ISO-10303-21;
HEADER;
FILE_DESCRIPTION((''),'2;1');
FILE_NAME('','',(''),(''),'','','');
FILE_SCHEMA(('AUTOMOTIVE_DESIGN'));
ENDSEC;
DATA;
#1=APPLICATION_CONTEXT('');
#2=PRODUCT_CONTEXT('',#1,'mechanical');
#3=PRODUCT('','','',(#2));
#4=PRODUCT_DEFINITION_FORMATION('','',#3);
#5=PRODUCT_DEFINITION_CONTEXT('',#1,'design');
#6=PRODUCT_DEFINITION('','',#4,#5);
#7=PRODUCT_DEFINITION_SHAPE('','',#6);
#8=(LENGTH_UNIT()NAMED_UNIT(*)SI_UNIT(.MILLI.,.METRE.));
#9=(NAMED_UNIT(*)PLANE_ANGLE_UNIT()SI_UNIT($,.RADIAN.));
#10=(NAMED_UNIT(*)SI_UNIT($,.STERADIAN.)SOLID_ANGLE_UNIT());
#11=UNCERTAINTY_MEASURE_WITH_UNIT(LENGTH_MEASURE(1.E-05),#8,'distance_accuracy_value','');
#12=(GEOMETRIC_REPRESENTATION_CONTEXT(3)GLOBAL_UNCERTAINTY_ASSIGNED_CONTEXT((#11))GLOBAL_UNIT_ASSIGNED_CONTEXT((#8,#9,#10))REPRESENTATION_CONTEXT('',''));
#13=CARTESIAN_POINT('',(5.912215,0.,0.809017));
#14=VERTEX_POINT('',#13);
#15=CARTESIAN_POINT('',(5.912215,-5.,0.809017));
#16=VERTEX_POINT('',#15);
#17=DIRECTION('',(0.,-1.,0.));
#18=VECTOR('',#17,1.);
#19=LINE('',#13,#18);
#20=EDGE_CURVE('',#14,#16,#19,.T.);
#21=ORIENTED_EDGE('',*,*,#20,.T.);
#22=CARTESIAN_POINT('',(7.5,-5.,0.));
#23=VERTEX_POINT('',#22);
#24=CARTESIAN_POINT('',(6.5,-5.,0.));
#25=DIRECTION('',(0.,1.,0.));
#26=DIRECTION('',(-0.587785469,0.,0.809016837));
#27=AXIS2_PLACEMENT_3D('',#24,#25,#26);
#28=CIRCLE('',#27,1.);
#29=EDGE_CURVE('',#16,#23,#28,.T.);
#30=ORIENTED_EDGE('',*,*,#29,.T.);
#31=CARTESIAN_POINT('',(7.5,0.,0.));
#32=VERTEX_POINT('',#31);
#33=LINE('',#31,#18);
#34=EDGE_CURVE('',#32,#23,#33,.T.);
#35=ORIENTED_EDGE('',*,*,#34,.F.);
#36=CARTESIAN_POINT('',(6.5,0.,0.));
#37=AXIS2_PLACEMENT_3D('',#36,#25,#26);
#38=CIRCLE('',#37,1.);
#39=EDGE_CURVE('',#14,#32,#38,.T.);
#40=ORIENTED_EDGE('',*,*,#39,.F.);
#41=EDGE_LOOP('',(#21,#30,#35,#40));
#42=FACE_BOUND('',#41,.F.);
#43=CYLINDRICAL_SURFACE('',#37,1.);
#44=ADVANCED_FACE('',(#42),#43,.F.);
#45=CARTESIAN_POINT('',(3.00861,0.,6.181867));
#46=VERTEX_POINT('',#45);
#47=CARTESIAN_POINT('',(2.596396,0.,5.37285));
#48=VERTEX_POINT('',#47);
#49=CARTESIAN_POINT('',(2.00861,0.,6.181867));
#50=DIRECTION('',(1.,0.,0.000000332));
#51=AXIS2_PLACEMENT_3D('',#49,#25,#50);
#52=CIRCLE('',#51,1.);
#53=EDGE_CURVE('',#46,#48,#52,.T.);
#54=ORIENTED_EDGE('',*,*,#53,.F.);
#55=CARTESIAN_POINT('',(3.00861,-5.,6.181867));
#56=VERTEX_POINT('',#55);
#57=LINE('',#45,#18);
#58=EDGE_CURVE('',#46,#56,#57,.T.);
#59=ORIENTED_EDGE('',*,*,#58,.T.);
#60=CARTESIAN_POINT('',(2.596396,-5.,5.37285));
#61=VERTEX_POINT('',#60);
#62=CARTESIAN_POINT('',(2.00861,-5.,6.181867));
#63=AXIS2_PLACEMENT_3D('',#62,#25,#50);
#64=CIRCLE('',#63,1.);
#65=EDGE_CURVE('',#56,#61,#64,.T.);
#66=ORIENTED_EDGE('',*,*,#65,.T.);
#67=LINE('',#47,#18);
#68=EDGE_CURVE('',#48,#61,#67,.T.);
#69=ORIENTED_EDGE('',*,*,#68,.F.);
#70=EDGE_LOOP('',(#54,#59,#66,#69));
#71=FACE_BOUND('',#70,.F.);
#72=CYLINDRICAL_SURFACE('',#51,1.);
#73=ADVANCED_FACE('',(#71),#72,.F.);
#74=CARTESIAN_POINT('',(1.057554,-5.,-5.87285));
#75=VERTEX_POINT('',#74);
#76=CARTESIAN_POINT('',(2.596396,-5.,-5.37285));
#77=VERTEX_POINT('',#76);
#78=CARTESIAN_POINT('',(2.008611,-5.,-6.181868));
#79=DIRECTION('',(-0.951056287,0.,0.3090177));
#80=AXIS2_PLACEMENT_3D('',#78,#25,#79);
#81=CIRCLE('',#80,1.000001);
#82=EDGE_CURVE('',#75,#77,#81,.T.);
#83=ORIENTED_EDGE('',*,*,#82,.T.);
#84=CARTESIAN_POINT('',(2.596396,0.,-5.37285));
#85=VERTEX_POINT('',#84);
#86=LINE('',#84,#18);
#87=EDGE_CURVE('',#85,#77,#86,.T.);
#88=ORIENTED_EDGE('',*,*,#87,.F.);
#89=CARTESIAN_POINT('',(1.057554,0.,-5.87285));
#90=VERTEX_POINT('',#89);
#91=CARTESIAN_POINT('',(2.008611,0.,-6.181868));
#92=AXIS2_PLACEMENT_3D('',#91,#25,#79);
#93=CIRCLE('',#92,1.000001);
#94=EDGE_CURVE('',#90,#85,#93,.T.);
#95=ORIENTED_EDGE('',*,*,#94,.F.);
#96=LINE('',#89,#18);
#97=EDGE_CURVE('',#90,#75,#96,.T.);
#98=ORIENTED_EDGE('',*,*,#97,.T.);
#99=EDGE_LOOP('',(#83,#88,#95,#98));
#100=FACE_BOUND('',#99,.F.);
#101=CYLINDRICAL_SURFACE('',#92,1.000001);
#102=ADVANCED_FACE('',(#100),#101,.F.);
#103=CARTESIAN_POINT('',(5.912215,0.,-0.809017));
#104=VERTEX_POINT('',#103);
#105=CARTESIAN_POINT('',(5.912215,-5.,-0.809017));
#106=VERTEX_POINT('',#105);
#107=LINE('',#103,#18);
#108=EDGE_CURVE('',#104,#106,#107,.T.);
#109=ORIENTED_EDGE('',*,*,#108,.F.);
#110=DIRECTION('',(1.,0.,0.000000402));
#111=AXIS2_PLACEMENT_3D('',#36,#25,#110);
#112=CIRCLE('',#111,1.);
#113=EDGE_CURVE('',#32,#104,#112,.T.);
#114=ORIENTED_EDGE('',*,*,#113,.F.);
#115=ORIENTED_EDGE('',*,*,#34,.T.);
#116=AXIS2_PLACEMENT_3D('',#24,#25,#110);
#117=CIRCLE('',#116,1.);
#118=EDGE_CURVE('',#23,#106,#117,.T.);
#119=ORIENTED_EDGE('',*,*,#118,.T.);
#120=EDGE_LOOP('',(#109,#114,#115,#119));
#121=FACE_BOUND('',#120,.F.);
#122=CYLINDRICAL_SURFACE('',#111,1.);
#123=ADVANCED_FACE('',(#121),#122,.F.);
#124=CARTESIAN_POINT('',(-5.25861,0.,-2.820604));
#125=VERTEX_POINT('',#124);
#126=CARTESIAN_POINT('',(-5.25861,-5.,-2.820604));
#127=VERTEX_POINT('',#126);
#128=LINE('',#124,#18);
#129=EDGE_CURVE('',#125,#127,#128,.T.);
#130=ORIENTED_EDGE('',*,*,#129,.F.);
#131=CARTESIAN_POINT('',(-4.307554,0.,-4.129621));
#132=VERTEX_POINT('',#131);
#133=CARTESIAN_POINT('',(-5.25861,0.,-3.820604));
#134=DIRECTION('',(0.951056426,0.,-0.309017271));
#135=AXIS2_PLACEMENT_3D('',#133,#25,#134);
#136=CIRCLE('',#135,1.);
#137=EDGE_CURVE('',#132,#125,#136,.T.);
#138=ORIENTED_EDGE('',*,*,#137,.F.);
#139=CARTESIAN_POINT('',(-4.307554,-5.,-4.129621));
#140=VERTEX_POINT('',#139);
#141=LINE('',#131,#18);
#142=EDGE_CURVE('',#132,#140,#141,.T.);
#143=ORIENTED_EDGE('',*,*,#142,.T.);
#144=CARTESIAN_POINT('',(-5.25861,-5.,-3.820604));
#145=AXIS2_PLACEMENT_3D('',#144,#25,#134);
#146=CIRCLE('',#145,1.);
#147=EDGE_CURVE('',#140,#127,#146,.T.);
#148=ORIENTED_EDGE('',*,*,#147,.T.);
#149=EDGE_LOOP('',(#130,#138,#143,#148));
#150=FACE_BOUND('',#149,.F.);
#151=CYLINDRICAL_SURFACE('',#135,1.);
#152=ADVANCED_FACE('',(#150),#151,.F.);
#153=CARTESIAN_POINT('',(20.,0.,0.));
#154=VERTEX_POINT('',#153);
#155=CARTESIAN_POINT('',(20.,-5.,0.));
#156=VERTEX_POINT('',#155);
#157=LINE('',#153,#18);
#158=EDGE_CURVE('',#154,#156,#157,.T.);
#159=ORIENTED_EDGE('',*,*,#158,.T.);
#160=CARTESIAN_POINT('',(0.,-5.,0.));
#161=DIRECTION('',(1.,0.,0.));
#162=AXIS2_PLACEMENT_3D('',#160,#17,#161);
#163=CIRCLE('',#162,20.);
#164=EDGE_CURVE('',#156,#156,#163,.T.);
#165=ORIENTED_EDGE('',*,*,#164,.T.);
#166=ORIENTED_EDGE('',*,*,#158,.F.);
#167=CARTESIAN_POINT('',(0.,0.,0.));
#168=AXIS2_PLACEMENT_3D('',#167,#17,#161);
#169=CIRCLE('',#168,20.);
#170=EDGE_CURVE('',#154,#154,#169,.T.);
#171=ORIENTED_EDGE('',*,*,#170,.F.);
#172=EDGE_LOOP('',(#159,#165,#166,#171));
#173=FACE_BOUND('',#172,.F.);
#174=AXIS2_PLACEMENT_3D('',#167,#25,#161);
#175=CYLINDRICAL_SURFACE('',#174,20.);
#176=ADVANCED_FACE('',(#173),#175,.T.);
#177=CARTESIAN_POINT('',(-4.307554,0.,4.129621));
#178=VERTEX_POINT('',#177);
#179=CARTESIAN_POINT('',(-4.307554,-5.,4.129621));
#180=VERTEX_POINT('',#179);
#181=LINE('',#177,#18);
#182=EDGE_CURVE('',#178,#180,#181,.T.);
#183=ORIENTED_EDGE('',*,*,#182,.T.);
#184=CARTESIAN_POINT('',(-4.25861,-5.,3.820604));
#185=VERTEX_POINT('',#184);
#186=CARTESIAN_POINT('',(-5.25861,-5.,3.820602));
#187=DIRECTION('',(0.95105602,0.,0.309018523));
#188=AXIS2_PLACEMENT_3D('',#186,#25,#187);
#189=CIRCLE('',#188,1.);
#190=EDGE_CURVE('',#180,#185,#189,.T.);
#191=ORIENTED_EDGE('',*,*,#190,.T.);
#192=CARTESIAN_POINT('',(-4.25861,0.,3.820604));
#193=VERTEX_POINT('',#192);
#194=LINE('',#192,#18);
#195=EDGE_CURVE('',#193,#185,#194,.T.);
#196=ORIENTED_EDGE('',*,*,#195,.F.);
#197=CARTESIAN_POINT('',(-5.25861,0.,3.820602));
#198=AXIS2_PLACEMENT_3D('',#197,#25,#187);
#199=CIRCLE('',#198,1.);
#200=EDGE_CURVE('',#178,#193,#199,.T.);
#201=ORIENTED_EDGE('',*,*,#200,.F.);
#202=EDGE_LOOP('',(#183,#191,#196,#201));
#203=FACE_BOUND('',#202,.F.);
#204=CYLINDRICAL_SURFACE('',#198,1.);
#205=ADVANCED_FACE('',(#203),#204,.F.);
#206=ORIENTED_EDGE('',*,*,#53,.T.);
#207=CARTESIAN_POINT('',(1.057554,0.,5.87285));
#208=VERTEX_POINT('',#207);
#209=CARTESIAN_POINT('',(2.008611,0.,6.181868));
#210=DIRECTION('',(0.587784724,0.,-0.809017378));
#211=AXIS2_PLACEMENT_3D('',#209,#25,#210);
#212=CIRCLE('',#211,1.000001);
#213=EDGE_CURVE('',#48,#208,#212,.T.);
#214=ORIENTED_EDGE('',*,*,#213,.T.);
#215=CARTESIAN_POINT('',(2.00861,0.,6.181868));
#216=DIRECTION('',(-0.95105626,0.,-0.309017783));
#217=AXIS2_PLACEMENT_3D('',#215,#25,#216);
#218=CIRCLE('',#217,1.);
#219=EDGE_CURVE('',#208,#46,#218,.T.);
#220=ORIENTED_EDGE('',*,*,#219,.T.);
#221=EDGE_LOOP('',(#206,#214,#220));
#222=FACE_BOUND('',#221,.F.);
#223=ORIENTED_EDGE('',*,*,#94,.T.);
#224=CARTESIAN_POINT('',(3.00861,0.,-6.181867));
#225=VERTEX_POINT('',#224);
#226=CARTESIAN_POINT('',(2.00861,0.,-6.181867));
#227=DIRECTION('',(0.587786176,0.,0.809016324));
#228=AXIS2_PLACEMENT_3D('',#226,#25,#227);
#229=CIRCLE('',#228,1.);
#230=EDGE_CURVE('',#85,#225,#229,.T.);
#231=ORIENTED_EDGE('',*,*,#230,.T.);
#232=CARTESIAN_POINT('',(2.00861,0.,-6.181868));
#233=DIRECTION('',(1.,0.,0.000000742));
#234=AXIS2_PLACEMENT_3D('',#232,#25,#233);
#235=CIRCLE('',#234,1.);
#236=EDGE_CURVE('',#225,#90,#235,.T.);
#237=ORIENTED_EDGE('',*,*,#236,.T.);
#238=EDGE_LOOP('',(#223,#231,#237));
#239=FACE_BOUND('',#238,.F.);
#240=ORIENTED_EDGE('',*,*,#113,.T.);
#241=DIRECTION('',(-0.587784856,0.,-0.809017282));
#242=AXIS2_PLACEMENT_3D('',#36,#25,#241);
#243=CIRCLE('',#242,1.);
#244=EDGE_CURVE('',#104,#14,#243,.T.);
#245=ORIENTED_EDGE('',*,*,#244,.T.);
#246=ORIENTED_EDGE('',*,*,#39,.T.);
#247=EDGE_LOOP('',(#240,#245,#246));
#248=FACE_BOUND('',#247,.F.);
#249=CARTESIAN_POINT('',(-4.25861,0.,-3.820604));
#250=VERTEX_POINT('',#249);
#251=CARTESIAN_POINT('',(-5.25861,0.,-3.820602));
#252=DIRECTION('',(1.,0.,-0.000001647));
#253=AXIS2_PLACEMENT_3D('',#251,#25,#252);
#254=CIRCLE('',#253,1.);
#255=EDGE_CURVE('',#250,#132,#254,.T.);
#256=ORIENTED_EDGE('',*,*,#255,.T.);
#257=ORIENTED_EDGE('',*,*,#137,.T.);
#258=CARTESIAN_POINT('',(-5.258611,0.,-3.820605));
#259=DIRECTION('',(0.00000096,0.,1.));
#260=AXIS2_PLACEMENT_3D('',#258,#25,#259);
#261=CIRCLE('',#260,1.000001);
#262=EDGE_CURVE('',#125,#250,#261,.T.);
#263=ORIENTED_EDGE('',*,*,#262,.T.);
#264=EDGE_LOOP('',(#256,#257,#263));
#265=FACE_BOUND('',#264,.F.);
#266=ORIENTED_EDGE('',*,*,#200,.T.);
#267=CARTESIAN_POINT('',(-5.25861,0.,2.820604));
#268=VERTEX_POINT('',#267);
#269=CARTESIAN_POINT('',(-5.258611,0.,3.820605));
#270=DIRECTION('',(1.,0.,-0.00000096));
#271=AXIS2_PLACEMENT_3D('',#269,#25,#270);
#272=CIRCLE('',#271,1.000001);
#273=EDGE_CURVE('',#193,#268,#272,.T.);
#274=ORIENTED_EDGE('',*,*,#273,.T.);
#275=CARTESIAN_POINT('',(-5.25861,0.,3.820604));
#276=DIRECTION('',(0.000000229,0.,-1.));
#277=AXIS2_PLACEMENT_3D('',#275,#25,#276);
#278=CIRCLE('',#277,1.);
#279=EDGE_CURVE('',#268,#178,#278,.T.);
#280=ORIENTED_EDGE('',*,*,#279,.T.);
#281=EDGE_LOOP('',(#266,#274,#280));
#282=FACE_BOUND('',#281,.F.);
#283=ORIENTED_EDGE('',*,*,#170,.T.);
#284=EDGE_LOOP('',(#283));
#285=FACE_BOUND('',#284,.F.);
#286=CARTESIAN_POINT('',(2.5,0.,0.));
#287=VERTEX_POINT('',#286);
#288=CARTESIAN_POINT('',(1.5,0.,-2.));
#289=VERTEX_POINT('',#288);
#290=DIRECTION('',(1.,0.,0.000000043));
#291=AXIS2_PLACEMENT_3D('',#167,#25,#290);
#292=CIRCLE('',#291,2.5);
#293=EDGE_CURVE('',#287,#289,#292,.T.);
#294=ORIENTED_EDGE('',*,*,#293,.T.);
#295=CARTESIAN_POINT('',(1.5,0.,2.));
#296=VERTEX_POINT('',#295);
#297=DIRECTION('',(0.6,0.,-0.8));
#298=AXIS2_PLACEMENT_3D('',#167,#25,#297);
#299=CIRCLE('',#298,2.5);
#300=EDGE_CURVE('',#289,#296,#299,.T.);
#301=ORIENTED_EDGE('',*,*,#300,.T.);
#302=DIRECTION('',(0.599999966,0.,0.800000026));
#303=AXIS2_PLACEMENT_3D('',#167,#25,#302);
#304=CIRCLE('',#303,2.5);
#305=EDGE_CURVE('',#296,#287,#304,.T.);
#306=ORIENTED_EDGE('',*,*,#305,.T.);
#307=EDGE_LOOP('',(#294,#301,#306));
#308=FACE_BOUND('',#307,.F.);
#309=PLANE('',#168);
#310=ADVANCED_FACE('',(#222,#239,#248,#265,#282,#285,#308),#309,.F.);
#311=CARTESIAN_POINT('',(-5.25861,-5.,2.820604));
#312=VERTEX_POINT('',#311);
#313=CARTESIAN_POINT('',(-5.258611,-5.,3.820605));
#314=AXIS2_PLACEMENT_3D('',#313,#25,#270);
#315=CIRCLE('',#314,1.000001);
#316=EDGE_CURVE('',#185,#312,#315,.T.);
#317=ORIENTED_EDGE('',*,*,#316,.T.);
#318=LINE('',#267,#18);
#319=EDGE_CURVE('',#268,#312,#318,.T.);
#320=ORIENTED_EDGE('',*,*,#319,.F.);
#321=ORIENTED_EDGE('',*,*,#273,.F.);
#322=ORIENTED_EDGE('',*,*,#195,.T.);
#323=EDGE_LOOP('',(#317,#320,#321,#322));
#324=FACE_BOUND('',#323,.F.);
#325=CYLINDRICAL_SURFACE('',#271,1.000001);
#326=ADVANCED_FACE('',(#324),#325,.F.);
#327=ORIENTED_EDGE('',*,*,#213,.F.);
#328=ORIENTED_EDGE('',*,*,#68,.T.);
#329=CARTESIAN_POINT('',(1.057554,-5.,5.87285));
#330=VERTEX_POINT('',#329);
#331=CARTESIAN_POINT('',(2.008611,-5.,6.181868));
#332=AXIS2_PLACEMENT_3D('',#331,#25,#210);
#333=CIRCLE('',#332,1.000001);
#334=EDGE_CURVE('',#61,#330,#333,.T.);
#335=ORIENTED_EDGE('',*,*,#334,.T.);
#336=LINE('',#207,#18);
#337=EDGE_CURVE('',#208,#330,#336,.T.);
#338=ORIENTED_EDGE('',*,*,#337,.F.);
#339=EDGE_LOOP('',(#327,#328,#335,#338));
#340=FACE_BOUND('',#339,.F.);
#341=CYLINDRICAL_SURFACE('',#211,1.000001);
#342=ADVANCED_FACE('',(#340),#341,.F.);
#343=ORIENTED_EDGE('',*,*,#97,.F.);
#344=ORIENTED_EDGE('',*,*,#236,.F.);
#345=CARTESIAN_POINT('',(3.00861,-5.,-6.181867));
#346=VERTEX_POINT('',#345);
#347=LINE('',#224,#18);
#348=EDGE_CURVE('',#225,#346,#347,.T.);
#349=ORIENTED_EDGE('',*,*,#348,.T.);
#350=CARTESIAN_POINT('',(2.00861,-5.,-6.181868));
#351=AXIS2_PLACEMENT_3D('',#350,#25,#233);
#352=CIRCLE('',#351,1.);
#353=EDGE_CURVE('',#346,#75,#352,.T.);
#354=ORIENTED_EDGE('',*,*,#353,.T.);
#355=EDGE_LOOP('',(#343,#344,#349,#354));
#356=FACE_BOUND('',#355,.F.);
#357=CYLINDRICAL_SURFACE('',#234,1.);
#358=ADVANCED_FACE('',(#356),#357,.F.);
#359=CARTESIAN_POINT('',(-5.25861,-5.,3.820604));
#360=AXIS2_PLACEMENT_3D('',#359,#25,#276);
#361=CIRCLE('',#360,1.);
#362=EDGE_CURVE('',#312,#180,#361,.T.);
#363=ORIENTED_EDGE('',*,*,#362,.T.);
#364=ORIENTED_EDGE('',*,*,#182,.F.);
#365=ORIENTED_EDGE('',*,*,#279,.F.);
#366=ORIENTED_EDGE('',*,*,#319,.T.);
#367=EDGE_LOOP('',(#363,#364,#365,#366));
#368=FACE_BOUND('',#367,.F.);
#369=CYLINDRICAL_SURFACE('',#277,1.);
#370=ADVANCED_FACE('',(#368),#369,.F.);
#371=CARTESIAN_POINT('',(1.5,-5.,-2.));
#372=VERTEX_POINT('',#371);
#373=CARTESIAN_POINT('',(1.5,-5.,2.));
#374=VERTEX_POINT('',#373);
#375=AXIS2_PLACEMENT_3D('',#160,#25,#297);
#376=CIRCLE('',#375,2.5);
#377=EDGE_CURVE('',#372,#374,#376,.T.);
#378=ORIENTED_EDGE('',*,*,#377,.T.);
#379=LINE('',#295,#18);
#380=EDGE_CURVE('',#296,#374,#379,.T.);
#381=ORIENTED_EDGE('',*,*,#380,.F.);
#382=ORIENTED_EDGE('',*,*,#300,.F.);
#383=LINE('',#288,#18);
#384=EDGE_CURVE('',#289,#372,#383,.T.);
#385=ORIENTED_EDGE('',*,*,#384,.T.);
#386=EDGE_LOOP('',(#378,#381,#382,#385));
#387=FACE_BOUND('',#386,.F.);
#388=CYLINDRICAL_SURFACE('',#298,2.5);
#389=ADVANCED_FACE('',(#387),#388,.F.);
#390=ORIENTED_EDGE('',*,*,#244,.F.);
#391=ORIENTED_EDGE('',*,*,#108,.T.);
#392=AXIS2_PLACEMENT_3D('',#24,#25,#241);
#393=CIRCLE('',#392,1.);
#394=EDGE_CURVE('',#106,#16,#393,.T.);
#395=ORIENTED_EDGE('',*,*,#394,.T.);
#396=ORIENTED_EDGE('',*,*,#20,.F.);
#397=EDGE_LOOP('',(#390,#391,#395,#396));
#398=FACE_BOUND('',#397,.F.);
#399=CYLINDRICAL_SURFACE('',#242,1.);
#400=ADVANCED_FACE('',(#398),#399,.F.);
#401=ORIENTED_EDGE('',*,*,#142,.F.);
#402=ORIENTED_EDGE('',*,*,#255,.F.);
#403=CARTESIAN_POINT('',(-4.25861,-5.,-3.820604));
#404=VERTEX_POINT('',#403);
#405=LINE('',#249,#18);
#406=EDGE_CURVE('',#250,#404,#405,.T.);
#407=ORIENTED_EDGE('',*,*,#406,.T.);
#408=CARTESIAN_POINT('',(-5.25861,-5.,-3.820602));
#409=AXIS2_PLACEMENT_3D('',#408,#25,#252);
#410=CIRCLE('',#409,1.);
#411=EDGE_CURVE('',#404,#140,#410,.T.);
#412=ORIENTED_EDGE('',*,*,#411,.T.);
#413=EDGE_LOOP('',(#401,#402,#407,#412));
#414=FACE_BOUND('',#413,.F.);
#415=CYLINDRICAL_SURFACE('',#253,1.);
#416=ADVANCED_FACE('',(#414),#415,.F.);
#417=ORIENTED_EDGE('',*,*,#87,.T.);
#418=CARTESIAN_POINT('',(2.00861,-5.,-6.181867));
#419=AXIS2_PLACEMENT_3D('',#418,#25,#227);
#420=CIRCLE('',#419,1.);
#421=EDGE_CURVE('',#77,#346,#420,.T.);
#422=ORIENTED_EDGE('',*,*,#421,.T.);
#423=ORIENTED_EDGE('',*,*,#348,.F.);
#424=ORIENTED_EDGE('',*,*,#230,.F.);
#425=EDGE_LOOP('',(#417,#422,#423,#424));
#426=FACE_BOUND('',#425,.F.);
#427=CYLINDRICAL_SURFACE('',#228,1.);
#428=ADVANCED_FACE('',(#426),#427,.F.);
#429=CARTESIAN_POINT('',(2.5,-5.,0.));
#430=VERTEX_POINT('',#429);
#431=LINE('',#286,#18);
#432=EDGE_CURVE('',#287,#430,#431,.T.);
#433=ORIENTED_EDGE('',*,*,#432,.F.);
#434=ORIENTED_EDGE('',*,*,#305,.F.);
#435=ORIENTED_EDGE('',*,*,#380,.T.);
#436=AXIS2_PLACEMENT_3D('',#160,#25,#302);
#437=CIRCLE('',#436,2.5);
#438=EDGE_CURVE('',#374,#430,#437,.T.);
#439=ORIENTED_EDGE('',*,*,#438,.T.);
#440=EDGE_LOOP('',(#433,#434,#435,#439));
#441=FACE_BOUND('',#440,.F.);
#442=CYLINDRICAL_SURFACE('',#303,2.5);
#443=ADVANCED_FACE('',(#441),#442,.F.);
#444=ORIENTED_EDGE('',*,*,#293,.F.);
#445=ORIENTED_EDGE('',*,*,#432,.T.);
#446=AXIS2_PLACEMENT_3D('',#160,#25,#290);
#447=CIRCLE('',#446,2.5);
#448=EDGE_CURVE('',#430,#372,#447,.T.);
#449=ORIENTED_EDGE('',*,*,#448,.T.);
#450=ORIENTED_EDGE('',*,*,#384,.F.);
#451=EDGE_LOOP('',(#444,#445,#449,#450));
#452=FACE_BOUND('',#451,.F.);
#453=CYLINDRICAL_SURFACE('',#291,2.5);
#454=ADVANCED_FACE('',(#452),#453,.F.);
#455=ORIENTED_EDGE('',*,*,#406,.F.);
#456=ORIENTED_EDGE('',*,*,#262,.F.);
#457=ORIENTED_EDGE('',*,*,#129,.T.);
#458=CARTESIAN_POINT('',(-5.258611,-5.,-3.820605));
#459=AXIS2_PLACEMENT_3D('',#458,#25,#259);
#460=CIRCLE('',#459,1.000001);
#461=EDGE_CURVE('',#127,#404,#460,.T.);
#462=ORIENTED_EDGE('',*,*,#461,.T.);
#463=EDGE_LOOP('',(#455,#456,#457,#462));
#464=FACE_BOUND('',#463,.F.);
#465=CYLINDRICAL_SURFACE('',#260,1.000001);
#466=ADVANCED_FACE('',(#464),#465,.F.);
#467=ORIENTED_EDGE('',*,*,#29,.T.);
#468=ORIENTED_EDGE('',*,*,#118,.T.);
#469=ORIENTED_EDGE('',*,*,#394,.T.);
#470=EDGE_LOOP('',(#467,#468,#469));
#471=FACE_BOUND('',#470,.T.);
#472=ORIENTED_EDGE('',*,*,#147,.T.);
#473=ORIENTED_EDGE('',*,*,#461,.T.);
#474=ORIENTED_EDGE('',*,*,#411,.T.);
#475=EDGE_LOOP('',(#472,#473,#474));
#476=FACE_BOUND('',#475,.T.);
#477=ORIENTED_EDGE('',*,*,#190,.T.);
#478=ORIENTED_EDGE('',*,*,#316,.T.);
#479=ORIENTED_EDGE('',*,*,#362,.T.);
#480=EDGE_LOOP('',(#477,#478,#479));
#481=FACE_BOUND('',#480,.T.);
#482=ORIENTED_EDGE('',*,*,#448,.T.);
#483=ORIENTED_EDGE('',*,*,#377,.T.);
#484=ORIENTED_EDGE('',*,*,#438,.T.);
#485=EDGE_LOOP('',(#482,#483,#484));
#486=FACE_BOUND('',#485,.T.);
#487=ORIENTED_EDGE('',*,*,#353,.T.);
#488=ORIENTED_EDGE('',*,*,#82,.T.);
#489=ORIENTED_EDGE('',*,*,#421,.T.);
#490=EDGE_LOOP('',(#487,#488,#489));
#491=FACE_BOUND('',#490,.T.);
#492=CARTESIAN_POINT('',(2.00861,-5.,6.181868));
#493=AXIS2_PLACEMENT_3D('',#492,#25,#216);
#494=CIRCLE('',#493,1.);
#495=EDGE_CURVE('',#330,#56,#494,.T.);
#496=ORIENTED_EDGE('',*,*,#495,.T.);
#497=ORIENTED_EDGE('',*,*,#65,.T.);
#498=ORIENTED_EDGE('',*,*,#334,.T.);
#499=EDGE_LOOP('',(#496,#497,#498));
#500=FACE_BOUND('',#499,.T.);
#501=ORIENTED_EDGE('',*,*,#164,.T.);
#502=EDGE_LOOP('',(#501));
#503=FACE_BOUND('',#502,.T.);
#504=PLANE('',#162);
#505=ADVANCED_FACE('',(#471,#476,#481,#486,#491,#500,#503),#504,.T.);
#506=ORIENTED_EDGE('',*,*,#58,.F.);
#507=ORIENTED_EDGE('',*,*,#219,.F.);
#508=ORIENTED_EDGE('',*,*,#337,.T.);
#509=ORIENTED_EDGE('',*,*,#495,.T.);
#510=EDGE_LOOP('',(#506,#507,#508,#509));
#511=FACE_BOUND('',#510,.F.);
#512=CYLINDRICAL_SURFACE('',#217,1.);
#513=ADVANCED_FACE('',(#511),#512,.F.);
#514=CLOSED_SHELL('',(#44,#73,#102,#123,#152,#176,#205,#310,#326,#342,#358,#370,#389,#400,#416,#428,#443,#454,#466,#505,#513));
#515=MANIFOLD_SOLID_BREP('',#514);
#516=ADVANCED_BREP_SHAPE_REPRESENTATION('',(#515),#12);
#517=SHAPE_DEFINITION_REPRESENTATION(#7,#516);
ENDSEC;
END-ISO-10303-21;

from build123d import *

# Parameters (mm, degrees)
F0_R     = 20
F1_DEPTH = 5


with BuildPart() as f1:
    # F0 (on Front) → F1 (new body)
    with BuildSketch(Plane.XZ):
        Circle(F0_R)
        with BuildLine():
            ThreePointArc((-4.307554, -4.129621), (-6.067627, -4.408389), (-5.25861, -2.820604))
            Line((-5.25861, -2.820604), (-5.25861, 2.820604))
            ThreePointArc((-5.25861, 2.820604), (-6.067627, 4.408389), (-4.307554, 4.129621))
            Line((-4.307554, 4.129621), (1.057554, 5.87285))
            ThreePointArc((1.057554, 5.87285), (1.852176, 7.169556), (3.00861, 6.181867))
            ThreePointArc((3.00861, 6.181867), (2.899617, 5.727877), (2.596396, 5.37285))
            Line((2.596396, 5.37285), (5.912215, 0.809017))
            ThreePointArc((5.912215, 0.809017), (6.95399, 0.891007), (7.5, 0))
            ThreePointArc((7.5, 0), (6.95399, -0.891007), (5.912215, -0.809017))
            Line((5.912215, -0.809017), (2.596396, -5.37285))
            ThreePointArc((2.596396, -5.37285), (2.899617, -5.727877), (3.00861, -6.181867))
            ThreePointArc((3.00861, -6.181867), (1.852176, -7.169556), (1.057554, -5.87285))
            Line((1.057554, -5.87285), (-4.307554, -4.129621))
        make_face(mode=Mode.SUBTRACT)
        with BuildLine():
            Line((-5.25861, 2.820604), (-5.25861, -2.820604))
            ThreePointArc((-5.25861, -2.820604), (-4.551504, -3.113497), (-4.25861, -3.820604))
            ThreePointArc((-4.25861, -3.820604), (-4.270922, -3.977039), (-4.307554, -4.129621))
            Line((-4.307554, -4.129621), (1.057554, -5.87285))
            ThreePointArc((1.057554, -5.87285), (1.699593, -5.230811), (2.596396, -5.37285))
            Line((2.596396, -5.37285), (5.912215, -0.809017))
            ThreePointArc((5.912215, -0.809017), (5.5, 0), (5.912215, 0.809017))
            Line((5.912215, 0.809017), (2.596396, 5.37285))
            ThreePointArc((2.596396, 5.37285), (1.699593, 5.230811), (1.057554, 5.87285))
            Line((1.057554, 5.87285), (-4.307554, 4.129621))
            ThreePointArc((-4.307554, 4.129621), (-4.270922, 3.977039), (-4.25861, 3.820604))
            ThreePointArc((-4.25861, 3.820604), (-4.551504, 3.113497), (-5.25861, 2.820604))
        make_face()
        with BuildLine():
            ThreePointArc((1.5, 2), (2.236068, 1.118034), (2.5, 0))
            ThreePointArc((2.5, 0), (2.236068, -1.118034), (1.5, -2))
            ThreePointArc((1.5, -2), (-2.5, 0), (1.5, 2))
        make_face(mode=Mode.SUBTRACT)
    extrude(amount=F1_DEPTH)


solid = f1.part
